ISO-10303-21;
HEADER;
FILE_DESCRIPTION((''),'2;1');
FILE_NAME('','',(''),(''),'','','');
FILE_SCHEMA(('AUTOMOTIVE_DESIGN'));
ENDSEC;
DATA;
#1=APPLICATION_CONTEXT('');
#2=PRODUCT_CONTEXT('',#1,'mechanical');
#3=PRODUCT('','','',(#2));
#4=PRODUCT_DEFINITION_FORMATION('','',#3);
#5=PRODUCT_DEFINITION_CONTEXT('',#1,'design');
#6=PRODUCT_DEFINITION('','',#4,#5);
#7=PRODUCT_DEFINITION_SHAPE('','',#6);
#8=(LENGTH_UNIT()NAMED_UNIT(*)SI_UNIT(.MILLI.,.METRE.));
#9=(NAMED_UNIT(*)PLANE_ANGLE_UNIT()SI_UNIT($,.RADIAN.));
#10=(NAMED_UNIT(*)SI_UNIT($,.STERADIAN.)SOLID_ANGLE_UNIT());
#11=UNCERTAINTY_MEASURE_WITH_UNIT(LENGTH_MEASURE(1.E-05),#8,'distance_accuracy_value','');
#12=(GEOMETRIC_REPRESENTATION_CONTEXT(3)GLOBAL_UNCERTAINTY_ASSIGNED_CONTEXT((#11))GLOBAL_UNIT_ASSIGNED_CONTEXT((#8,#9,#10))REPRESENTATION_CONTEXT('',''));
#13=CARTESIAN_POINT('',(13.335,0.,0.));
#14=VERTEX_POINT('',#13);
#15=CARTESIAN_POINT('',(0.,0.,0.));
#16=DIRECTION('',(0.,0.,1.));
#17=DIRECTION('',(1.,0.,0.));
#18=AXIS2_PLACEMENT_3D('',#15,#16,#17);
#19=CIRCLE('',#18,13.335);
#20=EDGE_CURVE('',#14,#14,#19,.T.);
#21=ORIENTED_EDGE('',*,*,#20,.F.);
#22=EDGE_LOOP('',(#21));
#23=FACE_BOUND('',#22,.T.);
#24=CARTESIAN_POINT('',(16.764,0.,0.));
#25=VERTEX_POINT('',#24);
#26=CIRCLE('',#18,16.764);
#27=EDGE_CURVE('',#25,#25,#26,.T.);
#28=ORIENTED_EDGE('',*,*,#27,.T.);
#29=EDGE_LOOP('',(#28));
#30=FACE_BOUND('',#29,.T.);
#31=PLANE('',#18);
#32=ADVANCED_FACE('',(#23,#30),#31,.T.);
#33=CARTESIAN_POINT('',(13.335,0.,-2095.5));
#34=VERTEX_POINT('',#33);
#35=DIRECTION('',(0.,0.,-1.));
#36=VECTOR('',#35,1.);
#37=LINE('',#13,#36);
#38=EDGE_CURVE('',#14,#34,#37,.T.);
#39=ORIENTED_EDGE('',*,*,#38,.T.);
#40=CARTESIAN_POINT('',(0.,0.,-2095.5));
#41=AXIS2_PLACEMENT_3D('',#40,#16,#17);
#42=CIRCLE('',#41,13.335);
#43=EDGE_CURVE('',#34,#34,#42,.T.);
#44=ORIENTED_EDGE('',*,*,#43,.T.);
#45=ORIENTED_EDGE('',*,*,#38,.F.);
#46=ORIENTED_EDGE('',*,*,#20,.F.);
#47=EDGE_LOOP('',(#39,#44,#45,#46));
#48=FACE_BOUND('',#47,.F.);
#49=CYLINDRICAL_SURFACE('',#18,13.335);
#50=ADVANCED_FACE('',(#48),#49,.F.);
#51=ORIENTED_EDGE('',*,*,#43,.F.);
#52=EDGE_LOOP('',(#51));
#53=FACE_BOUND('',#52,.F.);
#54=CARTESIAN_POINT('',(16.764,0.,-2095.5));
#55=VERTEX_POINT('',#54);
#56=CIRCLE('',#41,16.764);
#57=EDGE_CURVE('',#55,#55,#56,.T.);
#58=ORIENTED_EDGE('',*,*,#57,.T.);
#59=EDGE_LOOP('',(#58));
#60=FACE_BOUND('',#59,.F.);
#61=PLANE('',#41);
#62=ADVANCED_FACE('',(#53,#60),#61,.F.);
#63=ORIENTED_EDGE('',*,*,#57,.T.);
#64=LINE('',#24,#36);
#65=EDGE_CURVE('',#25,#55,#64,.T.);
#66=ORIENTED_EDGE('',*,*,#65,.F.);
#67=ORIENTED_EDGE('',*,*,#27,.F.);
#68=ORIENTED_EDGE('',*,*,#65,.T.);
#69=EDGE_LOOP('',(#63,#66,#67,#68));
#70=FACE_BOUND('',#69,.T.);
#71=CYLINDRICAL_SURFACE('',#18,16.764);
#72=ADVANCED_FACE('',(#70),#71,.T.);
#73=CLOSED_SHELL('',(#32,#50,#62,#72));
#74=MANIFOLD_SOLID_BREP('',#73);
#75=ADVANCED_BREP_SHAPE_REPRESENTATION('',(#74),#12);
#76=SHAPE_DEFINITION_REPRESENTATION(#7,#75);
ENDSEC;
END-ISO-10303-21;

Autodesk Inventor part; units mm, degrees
ref_plane "YZ Plane" through (0, 0, 0) normal (1, 0, 0) x (0, 1, 0)
ref_plane "XZ Plane" through (0, 0, 0) normal (0, 1, 0) x (-1, 0, 0)
ref_plane "XY Plane" through (0, 0, 0) normal (0, 0, 1) x (1, 0, 0)
sketch "Sketch1" plane through (0, 0, 0) normal (0, 0, 1) x (1, 0, 0)
  circle A0 centre (0, 0) radius 16.764
  circle A1 centre (0, 0) radius 13.335
  dimension "d0" = 33.528
  dimension "d1" = 26.67
extrude "Extrusion1" add sketch "Sketch1" against normal blind 2095.5
properties part number "GE-13034" material "Aluminum 6061"
